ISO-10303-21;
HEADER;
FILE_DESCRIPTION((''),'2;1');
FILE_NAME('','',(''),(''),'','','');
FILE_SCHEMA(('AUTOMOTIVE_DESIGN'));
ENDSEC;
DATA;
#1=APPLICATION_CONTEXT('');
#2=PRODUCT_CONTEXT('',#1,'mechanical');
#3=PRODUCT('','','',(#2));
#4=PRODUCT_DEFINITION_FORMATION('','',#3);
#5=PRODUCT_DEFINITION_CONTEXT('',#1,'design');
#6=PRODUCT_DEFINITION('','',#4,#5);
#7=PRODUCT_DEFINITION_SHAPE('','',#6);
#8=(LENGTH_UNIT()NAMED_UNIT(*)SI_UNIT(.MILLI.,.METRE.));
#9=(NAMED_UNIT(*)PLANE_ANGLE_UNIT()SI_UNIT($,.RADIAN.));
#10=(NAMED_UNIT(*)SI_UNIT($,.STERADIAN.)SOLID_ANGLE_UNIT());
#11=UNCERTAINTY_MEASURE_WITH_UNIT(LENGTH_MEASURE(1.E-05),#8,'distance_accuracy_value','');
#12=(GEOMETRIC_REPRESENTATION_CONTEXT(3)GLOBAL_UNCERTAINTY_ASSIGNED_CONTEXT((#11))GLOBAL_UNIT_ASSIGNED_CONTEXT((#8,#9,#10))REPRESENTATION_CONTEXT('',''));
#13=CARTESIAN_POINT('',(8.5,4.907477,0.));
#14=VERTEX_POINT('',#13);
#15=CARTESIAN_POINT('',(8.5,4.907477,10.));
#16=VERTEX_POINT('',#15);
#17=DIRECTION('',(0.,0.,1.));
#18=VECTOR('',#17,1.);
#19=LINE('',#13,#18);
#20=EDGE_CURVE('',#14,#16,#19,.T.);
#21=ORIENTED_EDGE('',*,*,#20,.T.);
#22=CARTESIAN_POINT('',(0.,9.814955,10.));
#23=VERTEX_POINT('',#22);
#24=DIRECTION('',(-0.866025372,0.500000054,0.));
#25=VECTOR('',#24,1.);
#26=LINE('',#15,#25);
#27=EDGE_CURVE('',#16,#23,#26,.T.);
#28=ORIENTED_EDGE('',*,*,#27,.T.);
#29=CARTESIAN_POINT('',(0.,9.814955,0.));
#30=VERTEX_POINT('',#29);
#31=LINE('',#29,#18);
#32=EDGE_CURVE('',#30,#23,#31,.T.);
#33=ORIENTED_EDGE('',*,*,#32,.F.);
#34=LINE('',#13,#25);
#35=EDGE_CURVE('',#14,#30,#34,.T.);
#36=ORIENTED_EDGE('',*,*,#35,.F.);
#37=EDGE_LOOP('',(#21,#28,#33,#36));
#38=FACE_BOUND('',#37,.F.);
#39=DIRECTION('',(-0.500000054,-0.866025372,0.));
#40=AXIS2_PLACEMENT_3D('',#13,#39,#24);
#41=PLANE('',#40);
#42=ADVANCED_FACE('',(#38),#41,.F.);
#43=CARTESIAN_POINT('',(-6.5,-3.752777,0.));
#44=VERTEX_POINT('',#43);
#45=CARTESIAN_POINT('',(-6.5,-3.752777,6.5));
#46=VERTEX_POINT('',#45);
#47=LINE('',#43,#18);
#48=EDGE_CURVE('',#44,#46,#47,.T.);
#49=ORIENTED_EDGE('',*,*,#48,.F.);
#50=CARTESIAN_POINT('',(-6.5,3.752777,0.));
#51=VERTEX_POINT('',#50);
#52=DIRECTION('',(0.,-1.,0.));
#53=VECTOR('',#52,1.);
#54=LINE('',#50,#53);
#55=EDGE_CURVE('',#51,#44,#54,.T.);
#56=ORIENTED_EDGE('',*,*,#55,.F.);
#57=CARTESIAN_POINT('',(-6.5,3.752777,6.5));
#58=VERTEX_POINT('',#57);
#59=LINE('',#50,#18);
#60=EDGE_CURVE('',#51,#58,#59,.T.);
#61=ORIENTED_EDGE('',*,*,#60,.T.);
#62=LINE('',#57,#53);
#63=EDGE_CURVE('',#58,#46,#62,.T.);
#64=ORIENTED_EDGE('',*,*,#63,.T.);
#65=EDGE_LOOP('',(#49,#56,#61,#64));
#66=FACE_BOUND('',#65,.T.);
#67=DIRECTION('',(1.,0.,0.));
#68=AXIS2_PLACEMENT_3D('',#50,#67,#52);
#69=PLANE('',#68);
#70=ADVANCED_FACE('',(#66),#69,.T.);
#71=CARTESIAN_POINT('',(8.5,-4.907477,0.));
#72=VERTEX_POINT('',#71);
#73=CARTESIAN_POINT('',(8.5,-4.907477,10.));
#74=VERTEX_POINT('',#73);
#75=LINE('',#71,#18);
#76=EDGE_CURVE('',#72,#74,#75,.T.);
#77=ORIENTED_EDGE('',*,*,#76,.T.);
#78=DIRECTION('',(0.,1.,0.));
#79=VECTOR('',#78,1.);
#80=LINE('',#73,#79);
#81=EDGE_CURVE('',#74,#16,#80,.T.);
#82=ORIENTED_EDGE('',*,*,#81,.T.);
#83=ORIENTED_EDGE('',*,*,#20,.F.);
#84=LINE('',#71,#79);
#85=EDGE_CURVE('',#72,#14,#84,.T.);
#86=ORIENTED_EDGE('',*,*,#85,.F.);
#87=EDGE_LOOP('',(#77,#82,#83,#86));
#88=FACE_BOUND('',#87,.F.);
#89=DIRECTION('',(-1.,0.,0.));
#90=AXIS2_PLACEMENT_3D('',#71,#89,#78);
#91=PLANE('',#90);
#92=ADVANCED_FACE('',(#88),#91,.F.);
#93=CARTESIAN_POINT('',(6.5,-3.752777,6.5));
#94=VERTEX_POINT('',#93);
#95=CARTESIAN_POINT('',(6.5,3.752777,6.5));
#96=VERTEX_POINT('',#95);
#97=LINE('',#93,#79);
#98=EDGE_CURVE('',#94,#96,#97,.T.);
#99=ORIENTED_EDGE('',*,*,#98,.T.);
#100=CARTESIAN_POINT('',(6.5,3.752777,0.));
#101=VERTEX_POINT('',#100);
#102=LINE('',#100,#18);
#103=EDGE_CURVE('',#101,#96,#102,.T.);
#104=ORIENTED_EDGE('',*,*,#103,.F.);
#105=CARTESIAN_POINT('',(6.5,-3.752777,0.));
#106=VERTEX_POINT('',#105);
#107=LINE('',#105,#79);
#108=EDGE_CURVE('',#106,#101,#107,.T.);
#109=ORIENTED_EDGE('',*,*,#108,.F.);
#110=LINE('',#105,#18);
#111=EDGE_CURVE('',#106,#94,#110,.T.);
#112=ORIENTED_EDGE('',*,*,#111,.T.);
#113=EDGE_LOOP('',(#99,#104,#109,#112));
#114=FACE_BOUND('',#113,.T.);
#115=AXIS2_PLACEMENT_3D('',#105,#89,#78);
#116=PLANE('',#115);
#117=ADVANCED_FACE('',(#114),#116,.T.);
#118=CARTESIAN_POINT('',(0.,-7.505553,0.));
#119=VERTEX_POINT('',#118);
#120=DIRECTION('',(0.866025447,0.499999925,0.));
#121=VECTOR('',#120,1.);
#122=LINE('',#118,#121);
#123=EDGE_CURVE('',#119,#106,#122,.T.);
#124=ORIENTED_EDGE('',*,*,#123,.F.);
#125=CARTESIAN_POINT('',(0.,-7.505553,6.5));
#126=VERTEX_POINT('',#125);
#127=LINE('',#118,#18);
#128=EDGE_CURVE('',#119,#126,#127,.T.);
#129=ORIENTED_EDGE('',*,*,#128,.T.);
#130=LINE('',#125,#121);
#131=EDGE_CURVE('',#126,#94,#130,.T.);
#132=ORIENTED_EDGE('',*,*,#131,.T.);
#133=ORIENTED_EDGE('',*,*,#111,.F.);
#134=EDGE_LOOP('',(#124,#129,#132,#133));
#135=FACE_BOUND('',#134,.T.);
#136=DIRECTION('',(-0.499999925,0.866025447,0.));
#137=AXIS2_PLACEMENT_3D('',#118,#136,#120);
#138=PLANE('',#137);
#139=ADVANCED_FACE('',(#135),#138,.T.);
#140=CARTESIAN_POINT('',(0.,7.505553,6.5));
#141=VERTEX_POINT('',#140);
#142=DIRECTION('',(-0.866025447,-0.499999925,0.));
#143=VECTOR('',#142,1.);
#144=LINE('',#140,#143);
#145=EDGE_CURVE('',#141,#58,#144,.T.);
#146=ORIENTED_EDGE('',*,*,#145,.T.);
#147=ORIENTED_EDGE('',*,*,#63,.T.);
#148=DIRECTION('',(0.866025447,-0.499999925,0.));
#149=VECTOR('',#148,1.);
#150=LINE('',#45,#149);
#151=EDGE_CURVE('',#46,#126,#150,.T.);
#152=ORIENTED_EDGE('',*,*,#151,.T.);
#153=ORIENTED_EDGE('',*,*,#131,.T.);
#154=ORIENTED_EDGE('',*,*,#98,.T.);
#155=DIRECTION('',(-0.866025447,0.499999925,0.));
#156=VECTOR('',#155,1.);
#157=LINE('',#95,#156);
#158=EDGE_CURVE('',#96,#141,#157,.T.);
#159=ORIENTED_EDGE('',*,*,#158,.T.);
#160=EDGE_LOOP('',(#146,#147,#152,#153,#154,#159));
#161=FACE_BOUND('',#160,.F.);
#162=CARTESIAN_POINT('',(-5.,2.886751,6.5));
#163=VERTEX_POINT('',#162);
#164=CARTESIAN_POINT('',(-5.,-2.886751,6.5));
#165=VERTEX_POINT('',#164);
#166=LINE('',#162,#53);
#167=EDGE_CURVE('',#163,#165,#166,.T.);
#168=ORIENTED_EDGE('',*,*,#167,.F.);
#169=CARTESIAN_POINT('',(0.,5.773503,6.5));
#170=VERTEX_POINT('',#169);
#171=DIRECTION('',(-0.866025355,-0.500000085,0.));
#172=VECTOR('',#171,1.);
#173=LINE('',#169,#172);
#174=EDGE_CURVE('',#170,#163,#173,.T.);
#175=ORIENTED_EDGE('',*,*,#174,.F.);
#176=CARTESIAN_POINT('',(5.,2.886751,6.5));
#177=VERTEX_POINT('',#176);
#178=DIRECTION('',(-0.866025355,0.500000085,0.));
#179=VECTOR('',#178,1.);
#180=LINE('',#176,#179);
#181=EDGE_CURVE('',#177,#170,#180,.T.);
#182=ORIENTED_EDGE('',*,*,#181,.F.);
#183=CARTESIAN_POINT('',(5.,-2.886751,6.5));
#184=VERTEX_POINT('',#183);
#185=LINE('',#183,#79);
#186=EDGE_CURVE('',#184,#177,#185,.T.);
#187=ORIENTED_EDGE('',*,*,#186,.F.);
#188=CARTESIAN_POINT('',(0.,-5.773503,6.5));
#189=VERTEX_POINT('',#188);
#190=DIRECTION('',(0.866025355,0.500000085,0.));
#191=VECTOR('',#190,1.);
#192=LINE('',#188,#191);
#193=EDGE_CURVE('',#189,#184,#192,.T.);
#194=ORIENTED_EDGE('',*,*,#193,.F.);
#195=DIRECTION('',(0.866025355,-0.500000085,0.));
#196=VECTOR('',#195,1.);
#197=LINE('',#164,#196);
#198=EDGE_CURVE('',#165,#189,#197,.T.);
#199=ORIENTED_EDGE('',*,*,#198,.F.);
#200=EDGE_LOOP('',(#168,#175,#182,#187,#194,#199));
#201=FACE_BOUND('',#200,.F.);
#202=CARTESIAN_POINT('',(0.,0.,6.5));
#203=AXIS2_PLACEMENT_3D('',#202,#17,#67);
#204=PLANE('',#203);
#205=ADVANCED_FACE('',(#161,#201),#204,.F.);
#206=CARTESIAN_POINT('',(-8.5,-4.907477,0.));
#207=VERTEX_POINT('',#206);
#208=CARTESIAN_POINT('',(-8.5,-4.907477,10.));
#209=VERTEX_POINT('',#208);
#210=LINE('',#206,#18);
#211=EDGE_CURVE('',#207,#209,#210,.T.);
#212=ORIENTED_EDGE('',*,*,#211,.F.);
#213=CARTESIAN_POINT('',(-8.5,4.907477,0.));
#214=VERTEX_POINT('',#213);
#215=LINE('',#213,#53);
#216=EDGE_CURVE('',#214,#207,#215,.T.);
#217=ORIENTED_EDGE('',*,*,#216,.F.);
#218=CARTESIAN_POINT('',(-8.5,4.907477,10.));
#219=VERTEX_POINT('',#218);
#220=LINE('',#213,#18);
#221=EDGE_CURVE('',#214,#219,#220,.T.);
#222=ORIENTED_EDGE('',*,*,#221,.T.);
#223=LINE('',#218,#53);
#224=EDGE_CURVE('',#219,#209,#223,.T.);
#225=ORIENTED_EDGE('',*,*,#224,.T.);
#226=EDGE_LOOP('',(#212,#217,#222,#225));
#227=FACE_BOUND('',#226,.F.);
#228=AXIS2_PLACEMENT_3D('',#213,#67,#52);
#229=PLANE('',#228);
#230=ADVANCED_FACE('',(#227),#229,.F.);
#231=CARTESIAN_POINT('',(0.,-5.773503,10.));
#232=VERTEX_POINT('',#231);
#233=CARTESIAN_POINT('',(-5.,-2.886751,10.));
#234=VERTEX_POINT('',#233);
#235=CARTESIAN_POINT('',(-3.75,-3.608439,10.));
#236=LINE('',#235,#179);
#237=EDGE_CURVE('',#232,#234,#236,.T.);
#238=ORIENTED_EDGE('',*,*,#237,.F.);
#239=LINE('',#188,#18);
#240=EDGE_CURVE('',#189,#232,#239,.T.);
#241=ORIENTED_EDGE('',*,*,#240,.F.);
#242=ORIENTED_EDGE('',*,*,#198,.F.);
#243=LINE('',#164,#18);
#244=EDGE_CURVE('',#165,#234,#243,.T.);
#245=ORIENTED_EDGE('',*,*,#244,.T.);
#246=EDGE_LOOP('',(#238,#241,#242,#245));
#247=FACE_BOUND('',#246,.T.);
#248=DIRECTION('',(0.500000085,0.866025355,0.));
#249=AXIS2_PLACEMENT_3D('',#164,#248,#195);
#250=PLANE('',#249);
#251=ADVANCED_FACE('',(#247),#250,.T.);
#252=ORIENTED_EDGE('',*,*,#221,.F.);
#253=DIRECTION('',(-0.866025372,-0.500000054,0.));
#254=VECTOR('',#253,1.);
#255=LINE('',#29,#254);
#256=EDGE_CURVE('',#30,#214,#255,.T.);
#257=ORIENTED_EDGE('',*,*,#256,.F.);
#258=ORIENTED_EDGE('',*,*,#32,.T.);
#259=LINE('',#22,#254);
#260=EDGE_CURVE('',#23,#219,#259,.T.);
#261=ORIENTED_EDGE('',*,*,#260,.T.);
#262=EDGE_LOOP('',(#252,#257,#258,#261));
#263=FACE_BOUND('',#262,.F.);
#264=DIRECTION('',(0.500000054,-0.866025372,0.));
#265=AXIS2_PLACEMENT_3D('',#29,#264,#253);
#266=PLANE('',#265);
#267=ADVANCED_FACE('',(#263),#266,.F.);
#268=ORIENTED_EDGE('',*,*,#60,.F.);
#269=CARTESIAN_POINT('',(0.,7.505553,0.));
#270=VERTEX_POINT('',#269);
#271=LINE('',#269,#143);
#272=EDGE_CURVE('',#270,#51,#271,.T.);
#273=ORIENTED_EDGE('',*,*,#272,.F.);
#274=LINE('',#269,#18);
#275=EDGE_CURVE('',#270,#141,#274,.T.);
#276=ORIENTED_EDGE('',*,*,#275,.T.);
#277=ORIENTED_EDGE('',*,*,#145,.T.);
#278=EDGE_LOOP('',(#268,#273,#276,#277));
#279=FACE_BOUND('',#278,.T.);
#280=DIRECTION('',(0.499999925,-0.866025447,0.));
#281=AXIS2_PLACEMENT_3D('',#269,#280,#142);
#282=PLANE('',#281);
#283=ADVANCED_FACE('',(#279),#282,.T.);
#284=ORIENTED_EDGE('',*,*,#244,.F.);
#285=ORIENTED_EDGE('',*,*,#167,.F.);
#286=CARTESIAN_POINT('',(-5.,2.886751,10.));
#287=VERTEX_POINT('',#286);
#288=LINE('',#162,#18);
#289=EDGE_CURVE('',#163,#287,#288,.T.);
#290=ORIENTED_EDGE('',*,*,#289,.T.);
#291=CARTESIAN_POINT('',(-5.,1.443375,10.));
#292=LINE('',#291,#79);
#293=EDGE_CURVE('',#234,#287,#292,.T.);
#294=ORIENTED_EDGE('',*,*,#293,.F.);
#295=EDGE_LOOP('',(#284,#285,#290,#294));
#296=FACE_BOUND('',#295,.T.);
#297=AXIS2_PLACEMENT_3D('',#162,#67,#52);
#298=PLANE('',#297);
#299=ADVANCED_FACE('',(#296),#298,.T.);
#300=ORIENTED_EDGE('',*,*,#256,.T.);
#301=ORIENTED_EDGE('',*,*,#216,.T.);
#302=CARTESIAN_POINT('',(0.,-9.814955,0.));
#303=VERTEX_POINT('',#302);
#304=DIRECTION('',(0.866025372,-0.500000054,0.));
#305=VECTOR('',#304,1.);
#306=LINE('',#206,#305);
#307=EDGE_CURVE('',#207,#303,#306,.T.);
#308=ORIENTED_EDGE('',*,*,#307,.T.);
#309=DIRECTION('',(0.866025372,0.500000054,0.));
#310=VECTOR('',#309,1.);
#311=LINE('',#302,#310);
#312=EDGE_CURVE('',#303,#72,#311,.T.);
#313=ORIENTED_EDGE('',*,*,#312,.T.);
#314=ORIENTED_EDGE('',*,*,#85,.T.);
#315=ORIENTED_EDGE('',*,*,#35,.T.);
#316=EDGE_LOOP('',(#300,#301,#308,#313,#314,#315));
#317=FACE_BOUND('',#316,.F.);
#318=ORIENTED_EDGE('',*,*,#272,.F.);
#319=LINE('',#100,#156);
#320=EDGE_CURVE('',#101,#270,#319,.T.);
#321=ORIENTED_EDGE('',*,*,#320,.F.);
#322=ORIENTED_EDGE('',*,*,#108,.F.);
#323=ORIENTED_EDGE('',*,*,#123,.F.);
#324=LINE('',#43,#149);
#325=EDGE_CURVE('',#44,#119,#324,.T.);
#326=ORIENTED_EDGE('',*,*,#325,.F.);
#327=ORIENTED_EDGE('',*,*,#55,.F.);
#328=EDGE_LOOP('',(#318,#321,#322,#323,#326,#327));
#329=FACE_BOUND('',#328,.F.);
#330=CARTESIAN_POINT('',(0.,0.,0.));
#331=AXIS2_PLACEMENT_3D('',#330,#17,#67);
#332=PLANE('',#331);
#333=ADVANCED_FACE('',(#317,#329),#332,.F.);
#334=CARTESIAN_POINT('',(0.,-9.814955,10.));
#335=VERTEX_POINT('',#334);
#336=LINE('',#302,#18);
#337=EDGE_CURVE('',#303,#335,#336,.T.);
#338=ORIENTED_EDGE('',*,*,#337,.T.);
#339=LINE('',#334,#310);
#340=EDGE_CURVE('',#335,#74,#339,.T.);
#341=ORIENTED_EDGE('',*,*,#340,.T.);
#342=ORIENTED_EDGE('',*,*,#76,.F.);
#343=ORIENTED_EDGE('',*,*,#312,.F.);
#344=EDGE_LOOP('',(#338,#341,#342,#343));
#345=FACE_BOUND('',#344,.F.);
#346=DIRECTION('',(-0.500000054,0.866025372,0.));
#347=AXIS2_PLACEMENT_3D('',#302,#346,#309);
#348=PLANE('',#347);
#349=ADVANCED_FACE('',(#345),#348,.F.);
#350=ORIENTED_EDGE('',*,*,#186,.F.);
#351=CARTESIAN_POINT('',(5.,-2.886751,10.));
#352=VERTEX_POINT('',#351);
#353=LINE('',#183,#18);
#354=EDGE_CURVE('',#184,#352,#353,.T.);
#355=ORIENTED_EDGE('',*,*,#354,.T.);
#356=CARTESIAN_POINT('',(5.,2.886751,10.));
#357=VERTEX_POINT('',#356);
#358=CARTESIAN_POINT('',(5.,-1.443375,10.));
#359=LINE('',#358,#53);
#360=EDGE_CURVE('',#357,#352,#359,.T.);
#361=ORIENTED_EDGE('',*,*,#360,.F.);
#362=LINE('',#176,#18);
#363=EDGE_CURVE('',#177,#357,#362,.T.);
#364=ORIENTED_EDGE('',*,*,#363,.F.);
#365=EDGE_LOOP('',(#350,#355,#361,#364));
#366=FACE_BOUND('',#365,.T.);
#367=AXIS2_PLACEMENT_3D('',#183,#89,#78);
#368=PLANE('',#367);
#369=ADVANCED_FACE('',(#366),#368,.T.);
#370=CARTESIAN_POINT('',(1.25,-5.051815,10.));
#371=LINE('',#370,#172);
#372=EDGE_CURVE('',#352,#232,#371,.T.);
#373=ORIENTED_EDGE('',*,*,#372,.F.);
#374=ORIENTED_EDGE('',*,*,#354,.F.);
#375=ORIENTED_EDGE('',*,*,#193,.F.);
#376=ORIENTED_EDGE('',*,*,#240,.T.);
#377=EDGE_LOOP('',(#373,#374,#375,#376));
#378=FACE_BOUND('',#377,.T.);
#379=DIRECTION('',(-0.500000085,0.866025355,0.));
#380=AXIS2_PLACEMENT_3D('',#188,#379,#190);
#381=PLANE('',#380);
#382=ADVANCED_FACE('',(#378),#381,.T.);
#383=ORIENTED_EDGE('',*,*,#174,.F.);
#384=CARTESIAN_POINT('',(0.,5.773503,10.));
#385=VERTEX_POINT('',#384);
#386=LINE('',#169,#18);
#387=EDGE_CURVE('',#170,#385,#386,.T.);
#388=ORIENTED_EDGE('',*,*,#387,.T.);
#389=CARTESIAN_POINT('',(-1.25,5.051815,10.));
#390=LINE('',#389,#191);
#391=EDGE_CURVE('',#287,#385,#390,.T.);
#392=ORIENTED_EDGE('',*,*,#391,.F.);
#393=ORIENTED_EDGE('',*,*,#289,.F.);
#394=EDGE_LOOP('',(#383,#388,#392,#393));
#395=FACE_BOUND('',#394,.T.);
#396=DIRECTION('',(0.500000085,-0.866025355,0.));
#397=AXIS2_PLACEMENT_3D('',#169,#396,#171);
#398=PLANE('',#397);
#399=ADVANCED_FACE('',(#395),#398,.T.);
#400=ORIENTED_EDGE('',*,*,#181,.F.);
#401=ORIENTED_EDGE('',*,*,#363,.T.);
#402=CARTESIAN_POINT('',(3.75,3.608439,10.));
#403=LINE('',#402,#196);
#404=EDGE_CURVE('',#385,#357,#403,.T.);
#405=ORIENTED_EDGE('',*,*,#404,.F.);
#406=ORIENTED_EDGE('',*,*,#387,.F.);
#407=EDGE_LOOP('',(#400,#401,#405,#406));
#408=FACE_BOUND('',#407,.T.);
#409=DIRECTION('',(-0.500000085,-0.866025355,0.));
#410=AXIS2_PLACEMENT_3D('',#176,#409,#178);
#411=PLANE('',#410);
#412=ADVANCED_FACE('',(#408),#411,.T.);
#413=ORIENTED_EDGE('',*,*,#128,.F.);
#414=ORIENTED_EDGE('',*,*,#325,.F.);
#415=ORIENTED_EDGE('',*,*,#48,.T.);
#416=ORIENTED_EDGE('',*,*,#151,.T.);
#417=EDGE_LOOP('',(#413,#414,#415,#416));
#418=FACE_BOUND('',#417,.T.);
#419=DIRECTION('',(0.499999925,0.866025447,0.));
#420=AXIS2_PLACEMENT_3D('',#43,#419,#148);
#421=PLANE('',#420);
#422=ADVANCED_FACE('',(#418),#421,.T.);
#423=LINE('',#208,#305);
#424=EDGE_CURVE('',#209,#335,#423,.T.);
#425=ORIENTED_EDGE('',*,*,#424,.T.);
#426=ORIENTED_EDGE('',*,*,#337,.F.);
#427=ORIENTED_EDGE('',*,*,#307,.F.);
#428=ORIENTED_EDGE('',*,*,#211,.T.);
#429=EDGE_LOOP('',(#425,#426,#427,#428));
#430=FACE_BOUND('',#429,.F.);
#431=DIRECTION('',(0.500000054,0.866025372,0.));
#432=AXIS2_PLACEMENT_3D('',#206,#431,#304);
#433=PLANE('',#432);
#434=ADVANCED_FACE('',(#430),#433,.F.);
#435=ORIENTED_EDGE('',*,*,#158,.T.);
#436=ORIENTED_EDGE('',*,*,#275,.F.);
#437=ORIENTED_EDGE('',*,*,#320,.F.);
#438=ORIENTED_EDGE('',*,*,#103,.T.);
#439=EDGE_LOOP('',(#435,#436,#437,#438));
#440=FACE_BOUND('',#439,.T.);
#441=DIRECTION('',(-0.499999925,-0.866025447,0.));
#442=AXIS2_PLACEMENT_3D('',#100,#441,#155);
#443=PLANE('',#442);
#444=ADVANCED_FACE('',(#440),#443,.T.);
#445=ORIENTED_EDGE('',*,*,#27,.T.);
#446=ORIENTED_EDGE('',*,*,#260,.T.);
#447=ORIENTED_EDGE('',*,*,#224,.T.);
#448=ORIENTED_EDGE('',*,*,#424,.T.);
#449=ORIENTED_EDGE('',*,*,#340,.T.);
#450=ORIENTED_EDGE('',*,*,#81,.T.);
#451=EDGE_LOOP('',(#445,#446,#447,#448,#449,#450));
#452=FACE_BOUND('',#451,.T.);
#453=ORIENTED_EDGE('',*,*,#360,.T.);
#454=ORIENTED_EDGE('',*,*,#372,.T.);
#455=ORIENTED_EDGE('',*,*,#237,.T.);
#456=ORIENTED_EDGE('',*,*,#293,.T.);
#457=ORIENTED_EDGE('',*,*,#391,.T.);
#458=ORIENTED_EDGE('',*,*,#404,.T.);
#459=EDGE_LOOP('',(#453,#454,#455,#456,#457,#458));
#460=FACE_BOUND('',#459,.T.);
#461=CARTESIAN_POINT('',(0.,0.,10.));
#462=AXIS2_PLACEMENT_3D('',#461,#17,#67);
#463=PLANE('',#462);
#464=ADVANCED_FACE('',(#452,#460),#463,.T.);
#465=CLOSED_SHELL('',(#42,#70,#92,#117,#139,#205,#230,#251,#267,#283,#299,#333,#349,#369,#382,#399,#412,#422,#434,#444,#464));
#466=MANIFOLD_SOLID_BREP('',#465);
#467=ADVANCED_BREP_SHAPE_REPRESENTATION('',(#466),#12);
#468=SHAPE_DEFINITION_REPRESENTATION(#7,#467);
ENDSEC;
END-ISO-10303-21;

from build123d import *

# Parameters (mm, degrees)
PAD_DEPTH    = 6.5
PAD001_DEPTH = 4
PAD002_DEPTH = 10


with BuildPart() as cuerpo:
    # Sketch → Pad (new body)
    with BuildSketch(Plane.XY):
        Polygon((0, 7.505553), (-6.5, 3.752777), (-6.5, -3.752777), (0, -7.505553), (6.5, -3.752777), (6.5, 3.752777), align=None)
    extrude(amount=PAD_DEPTH)

    # Sketch001 (on Face8 of Pad) → Pad001 (join)
    with BuildSketch(Plane.XY.offset(6.5)):
        Polygon((0, 5.773503), (-5, 2.886751), (-5, -2.886751), (0, -5.773503), (5, -2.886751), (5, 2.886751), align=None)
    extrude(amount=PAD001_DEPTH)


with BuildPart() as cut:
    # Sketch002 → Pad002 (new body)
    with BuildSketch(Plane.XY):
        Polygon((0, 9.814955), (-8.5, 4.907477), (-8.5, -4.907477), (0, -9.814955), (8.5, -4.907477), (8.5, 4.907477), align=None)
    extrude(amount=PAD002_DEPTH)

    # Cut: cut Cuerpo
    add(cuerpo.part, mode=Mode.SUBTRACT)


solid = cut.part
